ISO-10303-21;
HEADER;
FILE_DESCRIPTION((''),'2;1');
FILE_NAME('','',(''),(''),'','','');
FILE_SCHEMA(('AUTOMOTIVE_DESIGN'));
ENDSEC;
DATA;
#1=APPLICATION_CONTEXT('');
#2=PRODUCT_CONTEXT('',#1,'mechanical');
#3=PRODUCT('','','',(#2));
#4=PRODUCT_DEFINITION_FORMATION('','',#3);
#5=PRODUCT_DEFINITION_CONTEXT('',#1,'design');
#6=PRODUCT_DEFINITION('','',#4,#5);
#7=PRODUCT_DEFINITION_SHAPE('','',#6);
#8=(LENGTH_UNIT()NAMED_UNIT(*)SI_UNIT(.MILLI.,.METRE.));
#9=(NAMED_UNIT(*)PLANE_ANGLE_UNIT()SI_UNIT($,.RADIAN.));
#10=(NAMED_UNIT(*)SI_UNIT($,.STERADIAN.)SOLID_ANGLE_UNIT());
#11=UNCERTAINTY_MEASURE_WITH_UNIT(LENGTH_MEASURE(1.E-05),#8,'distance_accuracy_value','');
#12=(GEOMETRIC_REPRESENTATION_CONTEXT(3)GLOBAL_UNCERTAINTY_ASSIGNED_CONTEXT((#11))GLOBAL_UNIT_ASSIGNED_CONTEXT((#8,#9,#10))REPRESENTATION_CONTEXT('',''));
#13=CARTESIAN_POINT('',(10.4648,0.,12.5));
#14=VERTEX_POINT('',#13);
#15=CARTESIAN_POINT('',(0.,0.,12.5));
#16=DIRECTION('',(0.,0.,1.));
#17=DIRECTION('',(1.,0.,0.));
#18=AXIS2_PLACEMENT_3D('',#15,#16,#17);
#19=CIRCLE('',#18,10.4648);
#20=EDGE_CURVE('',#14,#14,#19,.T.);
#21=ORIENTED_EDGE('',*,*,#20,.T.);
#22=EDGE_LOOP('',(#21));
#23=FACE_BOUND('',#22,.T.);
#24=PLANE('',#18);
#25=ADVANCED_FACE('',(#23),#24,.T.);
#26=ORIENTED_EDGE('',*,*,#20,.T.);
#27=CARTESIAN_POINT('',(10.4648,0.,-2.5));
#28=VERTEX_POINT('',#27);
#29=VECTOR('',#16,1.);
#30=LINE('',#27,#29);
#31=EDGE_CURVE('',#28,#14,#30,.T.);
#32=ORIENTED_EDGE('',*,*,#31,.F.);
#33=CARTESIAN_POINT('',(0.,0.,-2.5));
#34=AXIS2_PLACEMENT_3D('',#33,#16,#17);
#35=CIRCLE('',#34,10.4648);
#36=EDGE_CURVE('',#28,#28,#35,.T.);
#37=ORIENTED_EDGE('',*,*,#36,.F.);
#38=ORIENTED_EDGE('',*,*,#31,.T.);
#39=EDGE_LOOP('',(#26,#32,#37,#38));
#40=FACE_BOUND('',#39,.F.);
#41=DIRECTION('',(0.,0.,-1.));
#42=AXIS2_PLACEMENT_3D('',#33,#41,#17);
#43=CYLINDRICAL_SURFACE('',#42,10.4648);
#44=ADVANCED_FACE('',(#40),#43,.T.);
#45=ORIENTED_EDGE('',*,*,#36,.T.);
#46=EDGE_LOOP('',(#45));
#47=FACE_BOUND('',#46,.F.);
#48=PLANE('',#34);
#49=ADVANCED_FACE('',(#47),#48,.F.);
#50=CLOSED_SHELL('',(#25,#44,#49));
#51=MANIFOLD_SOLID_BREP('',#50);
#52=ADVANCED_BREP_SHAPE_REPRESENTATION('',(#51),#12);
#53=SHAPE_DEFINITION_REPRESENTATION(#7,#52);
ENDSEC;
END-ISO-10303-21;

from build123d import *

# Parameters (mm, degrees)
CYLINDER_R     = 10.4648
CYLINDER_DEPTH = 15


with BuildPart() as part:
    # Cylinder → Cylinder (new body)
    with BuildSketch(Plane.XY.offset(-2.5)):
        Circle(CYLINDER_R)
    extrude(amount=CYLINDER_DEPTH)


solid = part.part
